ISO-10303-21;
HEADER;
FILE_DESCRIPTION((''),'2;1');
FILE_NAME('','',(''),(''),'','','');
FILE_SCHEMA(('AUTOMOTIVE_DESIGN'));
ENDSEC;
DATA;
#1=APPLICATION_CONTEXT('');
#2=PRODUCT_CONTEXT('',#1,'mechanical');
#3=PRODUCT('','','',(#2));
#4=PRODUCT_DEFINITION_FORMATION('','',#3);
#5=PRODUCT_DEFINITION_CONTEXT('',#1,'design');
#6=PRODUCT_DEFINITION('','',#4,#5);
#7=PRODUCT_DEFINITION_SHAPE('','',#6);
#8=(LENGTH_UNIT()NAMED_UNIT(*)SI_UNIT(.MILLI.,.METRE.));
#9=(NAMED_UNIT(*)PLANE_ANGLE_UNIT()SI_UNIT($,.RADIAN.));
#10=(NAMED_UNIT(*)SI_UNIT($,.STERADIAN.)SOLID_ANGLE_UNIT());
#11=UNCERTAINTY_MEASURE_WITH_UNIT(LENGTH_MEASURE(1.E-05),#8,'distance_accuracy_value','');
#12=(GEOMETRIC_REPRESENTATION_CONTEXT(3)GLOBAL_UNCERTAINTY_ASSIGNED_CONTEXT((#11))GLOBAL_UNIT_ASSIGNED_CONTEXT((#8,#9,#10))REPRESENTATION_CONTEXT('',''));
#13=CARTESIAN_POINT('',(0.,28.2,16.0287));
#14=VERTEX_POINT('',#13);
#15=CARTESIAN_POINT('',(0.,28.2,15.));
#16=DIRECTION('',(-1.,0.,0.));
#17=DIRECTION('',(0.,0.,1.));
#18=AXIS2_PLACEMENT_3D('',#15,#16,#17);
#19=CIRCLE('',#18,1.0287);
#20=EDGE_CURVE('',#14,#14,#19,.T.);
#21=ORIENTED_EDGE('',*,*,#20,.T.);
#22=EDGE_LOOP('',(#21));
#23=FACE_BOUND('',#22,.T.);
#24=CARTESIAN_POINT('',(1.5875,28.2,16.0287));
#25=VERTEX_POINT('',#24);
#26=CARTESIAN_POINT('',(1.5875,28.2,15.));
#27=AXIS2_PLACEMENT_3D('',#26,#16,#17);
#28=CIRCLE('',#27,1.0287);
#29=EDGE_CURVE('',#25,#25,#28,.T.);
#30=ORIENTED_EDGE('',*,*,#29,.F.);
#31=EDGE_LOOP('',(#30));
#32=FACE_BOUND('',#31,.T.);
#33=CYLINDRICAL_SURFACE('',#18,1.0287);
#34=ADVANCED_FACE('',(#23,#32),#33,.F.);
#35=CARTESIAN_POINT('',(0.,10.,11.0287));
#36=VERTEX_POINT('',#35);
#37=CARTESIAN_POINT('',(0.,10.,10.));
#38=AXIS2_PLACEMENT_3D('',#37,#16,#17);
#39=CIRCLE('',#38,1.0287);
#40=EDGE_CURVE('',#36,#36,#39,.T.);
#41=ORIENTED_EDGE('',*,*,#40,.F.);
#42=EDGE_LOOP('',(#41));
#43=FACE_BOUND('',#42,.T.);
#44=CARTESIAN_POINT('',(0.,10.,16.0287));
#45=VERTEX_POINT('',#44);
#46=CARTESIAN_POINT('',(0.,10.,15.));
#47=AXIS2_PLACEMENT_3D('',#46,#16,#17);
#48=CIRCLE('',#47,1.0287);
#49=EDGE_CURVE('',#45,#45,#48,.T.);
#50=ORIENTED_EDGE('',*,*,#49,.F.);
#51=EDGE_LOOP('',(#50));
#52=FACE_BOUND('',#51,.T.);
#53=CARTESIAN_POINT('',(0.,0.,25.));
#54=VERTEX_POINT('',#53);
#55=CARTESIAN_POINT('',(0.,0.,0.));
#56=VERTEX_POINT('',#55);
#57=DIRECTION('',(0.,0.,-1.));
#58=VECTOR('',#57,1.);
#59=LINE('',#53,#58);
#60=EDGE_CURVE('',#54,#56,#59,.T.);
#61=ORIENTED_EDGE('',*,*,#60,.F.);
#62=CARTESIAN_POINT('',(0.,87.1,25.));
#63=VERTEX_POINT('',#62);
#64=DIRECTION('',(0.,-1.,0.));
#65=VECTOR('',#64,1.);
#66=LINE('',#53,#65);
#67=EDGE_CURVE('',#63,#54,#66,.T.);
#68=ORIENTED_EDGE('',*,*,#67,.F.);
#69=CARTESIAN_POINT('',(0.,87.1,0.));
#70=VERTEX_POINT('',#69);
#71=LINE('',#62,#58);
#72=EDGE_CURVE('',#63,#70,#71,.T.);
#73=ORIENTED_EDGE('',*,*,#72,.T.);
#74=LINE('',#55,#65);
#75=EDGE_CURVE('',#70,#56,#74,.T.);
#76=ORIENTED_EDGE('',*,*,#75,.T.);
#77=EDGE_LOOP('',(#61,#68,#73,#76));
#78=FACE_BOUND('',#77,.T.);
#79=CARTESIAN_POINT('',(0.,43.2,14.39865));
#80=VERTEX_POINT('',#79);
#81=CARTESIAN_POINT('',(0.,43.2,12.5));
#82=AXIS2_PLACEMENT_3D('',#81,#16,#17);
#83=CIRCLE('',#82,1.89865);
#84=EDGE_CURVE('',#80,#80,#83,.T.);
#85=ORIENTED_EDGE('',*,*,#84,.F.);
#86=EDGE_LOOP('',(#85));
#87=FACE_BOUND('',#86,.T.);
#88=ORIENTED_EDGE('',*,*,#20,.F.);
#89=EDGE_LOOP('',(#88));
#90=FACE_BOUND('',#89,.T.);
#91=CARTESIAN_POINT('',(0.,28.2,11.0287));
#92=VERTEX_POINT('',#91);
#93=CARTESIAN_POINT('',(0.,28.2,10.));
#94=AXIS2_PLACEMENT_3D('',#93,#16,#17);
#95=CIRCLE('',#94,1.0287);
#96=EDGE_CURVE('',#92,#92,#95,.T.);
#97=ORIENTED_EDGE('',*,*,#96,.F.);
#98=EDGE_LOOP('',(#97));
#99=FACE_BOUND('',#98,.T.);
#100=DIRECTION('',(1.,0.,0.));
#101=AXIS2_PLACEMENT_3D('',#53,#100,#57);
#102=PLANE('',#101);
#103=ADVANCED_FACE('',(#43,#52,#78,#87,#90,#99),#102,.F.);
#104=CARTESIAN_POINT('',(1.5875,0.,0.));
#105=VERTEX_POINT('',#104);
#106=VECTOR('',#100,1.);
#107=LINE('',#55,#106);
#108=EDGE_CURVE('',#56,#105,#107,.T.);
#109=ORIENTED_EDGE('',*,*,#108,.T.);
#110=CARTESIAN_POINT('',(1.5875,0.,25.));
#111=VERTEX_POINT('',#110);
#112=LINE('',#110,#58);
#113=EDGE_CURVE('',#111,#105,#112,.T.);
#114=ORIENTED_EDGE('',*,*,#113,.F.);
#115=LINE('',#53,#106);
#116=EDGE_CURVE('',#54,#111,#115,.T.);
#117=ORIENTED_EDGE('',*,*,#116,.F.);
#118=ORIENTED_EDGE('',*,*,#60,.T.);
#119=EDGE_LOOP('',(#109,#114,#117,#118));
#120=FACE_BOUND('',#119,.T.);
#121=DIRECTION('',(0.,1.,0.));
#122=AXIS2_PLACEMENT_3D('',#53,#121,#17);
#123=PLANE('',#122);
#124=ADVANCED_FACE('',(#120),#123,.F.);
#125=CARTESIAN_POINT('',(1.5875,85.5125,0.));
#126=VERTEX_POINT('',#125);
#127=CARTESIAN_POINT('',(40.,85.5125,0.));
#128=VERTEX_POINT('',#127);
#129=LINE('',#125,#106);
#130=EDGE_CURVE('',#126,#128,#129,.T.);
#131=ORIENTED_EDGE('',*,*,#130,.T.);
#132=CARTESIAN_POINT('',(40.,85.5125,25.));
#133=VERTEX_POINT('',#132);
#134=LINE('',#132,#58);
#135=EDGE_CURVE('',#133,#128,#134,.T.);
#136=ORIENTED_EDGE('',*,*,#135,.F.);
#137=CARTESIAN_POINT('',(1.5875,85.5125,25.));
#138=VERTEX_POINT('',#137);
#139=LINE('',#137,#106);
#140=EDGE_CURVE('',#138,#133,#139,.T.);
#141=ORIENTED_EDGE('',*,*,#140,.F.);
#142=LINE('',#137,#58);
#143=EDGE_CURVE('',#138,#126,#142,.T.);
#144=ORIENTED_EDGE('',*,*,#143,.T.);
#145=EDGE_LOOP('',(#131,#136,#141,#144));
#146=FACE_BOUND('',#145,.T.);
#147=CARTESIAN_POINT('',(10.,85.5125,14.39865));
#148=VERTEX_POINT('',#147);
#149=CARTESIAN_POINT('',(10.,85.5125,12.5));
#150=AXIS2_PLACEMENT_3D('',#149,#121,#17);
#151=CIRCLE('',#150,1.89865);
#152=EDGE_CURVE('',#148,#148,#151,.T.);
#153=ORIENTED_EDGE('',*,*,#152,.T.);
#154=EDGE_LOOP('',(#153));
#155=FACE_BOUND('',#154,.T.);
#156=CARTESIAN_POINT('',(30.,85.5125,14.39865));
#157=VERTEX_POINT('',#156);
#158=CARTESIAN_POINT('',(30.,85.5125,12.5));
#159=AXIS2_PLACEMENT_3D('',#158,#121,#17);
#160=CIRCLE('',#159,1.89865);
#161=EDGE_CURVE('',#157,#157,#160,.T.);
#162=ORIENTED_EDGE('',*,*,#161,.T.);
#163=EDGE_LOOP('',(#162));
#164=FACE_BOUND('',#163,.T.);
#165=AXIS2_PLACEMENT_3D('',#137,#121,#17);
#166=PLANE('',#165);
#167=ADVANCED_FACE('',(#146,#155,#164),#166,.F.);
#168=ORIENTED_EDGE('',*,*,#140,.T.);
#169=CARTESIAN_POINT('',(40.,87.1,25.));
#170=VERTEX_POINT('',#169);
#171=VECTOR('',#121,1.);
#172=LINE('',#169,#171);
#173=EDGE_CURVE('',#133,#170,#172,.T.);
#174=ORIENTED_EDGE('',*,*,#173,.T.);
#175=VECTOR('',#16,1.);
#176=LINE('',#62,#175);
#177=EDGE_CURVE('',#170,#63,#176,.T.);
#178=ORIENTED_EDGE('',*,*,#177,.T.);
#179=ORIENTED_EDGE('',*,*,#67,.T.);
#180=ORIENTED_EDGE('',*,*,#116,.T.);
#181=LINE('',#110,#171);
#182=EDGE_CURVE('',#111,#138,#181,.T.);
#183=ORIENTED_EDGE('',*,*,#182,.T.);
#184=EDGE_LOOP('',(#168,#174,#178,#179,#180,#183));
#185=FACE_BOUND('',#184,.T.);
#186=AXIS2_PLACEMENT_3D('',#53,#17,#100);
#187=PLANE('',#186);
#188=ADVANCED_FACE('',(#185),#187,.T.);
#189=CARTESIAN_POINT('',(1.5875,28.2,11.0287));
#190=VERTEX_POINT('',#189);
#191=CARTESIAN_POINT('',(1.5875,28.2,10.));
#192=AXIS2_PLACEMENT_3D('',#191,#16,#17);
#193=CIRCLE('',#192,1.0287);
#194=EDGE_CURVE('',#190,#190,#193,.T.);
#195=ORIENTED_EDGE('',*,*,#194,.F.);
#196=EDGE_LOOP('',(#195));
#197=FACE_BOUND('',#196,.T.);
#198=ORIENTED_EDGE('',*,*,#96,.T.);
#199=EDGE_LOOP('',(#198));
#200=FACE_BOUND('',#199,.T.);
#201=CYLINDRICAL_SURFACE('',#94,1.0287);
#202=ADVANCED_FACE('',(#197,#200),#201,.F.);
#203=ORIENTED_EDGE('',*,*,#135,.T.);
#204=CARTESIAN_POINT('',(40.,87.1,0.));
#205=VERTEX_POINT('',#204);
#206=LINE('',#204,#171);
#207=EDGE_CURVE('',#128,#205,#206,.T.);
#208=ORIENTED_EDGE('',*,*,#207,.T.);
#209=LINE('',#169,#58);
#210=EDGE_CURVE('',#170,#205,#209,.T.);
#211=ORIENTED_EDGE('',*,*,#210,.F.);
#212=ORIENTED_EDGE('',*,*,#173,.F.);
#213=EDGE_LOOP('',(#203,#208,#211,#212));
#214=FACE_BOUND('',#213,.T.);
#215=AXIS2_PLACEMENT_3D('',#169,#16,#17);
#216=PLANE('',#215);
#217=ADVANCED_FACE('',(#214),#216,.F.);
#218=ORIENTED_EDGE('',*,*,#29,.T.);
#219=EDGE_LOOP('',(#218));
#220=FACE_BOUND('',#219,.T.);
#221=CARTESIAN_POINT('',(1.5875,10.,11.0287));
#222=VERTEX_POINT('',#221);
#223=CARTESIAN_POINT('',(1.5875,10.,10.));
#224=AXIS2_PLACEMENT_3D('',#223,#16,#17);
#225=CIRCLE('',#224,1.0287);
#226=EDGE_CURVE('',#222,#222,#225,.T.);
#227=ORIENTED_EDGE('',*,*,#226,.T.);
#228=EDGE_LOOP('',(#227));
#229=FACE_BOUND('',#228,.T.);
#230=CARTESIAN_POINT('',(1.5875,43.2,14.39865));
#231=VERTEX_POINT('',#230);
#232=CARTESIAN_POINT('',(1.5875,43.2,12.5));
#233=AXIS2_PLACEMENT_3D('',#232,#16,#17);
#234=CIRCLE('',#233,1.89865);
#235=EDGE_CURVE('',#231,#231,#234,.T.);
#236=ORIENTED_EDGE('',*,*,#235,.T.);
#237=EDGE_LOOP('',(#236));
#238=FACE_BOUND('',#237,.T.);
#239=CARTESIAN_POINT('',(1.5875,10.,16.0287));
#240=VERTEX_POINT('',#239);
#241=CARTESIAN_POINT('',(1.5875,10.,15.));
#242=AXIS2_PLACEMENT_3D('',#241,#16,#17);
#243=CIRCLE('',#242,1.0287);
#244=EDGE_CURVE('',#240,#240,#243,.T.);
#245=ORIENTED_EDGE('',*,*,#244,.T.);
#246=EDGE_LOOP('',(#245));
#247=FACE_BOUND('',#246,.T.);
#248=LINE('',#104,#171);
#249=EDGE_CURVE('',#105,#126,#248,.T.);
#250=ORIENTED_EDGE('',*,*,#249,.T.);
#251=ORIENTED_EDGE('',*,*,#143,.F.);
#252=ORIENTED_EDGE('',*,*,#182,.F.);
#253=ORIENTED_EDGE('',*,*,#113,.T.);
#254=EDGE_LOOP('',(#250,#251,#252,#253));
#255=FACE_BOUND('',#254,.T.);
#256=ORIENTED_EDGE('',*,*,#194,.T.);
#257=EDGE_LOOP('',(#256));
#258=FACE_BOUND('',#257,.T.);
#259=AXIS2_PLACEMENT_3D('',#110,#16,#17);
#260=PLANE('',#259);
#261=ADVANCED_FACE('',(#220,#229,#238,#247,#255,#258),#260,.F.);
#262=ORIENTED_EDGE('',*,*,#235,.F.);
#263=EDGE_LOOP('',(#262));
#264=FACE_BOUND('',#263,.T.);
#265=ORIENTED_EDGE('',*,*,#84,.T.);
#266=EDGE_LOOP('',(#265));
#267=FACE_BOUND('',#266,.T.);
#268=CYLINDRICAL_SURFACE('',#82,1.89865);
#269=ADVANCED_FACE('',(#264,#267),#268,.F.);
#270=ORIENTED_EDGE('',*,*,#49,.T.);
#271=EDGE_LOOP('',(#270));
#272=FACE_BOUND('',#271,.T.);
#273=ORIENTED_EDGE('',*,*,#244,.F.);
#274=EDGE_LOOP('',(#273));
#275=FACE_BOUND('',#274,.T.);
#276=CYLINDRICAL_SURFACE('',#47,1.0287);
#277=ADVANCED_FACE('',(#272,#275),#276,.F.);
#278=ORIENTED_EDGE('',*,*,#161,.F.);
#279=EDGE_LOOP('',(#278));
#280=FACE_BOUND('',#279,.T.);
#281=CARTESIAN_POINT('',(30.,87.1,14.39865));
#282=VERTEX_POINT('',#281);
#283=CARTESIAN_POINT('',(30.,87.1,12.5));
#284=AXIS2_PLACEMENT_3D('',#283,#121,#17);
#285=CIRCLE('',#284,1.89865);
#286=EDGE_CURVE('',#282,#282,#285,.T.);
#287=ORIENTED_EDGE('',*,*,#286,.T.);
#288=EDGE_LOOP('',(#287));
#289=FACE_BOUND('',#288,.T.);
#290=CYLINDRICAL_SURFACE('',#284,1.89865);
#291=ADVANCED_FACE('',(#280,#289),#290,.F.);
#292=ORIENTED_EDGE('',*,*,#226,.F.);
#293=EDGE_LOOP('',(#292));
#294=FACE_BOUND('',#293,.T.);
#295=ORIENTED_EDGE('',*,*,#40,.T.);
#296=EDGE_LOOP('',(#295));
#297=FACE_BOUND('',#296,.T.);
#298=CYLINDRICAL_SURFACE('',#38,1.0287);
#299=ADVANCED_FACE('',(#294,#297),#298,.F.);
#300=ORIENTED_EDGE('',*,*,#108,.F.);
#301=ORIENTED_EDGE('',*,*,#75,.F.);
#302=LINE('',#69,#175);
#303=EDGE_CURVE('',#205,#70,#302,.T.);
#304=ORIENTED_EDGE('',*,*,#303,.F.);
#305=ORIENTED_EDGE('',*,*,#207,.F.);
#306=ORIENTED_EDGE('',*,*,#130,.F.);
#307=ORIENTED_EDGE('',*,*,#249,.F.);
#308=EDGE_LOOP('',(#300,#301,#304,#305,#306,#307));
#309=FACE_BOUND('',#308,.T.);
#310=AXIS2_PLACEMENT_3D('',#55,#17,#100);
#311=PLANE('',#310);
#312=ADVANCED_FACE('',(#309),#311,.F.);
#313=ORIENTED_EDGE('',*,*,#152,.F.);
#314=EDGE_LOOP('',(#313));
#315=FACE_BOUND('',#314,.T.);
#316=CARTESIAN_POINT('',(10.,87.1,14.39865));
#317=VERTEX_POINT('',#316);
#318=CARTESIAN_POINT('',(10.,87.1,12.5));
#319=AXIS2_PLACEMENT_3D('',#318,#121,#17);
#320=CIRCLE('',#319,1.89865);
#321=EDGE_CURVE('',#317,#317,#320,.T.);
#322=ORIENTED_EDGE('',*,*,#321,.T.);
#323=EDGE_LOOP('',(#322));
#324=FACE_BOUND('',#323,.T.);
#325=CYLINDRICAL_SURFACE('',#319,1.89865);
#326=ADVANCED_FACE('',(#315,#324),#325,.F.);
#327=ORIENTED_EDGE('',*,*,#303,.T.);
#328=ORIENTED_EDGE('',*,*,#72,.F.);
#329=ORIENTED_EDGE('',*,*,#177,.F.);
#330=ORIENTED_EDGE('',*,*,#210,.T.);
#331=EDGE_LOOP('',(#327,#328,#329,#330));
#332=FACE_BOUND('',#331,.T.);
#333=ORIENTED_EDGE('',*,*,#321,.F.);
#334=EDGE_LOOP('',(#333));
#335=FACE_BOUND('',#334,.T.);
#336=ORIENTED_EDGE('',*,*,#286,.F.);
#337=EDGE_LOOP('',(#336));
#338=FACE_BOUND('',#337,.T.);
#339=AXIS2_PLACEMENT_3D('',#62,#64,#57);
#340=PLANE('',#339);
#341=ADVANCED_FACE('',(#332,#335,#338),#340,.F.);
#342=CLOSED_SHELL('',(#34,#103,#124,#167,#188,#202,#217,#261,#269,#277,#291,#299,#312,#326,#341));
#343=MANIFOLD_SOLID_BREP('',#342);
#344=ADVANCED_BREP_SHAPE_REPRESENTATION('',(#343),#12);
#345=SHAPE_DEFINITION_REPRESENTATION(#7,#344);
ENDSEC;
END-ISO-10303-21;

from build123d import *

# Parameters (mm, degrees)
BOSS_EXTRUDE1_DEPTH   = 25
F_6_CLEARANCE_HOLE1_D = 3.7973
F_1_CLEARANCE_HOLE2_D = 2.0574
F_6_CLEARANCE_HOLE2_D = 3.7973


with BuildPart() as part:
    # Sketch2 → Boss-Extrude1 (new body)
    with BuildSketch(Plane.XY):
        Polygon((0, 0), (0, 87.1), (40, 87.1), (40, 85.5125), (1.5875, 85.5125), (1.5875, 0), align=None)
    extrude(amount=BOSS_EXTRUDE1_DEPTH)

    # #6 Clearance Hole1 (through all)
    with Locations(Plane(origin=(0, 87.1, 0), x_dir=(1, 0, 0), z_dir=(0, 1, 0))):
        with Locations((10, -12.5), (30, -12.5)):
            Hole(F_6_CLEARANCE_HOLE1_D / 2)

    # #1 Clearance Hole2 (through all)
    with Locations(Plane.ZY):
        with Locations((15, 10), (15, 28.2), (10, 10), (10, 28.2)):
            Hole(F_1_CLEARANCE_HOLE2_D / 2)

    # #6 Clearance Hole2 (through all)
    with Locations(Plane.ZY):
        with Locations((12.5, 43.2)):
            Hole(F_6_CLEARANCE_HOLE2_D / 2)


solid = part.part
